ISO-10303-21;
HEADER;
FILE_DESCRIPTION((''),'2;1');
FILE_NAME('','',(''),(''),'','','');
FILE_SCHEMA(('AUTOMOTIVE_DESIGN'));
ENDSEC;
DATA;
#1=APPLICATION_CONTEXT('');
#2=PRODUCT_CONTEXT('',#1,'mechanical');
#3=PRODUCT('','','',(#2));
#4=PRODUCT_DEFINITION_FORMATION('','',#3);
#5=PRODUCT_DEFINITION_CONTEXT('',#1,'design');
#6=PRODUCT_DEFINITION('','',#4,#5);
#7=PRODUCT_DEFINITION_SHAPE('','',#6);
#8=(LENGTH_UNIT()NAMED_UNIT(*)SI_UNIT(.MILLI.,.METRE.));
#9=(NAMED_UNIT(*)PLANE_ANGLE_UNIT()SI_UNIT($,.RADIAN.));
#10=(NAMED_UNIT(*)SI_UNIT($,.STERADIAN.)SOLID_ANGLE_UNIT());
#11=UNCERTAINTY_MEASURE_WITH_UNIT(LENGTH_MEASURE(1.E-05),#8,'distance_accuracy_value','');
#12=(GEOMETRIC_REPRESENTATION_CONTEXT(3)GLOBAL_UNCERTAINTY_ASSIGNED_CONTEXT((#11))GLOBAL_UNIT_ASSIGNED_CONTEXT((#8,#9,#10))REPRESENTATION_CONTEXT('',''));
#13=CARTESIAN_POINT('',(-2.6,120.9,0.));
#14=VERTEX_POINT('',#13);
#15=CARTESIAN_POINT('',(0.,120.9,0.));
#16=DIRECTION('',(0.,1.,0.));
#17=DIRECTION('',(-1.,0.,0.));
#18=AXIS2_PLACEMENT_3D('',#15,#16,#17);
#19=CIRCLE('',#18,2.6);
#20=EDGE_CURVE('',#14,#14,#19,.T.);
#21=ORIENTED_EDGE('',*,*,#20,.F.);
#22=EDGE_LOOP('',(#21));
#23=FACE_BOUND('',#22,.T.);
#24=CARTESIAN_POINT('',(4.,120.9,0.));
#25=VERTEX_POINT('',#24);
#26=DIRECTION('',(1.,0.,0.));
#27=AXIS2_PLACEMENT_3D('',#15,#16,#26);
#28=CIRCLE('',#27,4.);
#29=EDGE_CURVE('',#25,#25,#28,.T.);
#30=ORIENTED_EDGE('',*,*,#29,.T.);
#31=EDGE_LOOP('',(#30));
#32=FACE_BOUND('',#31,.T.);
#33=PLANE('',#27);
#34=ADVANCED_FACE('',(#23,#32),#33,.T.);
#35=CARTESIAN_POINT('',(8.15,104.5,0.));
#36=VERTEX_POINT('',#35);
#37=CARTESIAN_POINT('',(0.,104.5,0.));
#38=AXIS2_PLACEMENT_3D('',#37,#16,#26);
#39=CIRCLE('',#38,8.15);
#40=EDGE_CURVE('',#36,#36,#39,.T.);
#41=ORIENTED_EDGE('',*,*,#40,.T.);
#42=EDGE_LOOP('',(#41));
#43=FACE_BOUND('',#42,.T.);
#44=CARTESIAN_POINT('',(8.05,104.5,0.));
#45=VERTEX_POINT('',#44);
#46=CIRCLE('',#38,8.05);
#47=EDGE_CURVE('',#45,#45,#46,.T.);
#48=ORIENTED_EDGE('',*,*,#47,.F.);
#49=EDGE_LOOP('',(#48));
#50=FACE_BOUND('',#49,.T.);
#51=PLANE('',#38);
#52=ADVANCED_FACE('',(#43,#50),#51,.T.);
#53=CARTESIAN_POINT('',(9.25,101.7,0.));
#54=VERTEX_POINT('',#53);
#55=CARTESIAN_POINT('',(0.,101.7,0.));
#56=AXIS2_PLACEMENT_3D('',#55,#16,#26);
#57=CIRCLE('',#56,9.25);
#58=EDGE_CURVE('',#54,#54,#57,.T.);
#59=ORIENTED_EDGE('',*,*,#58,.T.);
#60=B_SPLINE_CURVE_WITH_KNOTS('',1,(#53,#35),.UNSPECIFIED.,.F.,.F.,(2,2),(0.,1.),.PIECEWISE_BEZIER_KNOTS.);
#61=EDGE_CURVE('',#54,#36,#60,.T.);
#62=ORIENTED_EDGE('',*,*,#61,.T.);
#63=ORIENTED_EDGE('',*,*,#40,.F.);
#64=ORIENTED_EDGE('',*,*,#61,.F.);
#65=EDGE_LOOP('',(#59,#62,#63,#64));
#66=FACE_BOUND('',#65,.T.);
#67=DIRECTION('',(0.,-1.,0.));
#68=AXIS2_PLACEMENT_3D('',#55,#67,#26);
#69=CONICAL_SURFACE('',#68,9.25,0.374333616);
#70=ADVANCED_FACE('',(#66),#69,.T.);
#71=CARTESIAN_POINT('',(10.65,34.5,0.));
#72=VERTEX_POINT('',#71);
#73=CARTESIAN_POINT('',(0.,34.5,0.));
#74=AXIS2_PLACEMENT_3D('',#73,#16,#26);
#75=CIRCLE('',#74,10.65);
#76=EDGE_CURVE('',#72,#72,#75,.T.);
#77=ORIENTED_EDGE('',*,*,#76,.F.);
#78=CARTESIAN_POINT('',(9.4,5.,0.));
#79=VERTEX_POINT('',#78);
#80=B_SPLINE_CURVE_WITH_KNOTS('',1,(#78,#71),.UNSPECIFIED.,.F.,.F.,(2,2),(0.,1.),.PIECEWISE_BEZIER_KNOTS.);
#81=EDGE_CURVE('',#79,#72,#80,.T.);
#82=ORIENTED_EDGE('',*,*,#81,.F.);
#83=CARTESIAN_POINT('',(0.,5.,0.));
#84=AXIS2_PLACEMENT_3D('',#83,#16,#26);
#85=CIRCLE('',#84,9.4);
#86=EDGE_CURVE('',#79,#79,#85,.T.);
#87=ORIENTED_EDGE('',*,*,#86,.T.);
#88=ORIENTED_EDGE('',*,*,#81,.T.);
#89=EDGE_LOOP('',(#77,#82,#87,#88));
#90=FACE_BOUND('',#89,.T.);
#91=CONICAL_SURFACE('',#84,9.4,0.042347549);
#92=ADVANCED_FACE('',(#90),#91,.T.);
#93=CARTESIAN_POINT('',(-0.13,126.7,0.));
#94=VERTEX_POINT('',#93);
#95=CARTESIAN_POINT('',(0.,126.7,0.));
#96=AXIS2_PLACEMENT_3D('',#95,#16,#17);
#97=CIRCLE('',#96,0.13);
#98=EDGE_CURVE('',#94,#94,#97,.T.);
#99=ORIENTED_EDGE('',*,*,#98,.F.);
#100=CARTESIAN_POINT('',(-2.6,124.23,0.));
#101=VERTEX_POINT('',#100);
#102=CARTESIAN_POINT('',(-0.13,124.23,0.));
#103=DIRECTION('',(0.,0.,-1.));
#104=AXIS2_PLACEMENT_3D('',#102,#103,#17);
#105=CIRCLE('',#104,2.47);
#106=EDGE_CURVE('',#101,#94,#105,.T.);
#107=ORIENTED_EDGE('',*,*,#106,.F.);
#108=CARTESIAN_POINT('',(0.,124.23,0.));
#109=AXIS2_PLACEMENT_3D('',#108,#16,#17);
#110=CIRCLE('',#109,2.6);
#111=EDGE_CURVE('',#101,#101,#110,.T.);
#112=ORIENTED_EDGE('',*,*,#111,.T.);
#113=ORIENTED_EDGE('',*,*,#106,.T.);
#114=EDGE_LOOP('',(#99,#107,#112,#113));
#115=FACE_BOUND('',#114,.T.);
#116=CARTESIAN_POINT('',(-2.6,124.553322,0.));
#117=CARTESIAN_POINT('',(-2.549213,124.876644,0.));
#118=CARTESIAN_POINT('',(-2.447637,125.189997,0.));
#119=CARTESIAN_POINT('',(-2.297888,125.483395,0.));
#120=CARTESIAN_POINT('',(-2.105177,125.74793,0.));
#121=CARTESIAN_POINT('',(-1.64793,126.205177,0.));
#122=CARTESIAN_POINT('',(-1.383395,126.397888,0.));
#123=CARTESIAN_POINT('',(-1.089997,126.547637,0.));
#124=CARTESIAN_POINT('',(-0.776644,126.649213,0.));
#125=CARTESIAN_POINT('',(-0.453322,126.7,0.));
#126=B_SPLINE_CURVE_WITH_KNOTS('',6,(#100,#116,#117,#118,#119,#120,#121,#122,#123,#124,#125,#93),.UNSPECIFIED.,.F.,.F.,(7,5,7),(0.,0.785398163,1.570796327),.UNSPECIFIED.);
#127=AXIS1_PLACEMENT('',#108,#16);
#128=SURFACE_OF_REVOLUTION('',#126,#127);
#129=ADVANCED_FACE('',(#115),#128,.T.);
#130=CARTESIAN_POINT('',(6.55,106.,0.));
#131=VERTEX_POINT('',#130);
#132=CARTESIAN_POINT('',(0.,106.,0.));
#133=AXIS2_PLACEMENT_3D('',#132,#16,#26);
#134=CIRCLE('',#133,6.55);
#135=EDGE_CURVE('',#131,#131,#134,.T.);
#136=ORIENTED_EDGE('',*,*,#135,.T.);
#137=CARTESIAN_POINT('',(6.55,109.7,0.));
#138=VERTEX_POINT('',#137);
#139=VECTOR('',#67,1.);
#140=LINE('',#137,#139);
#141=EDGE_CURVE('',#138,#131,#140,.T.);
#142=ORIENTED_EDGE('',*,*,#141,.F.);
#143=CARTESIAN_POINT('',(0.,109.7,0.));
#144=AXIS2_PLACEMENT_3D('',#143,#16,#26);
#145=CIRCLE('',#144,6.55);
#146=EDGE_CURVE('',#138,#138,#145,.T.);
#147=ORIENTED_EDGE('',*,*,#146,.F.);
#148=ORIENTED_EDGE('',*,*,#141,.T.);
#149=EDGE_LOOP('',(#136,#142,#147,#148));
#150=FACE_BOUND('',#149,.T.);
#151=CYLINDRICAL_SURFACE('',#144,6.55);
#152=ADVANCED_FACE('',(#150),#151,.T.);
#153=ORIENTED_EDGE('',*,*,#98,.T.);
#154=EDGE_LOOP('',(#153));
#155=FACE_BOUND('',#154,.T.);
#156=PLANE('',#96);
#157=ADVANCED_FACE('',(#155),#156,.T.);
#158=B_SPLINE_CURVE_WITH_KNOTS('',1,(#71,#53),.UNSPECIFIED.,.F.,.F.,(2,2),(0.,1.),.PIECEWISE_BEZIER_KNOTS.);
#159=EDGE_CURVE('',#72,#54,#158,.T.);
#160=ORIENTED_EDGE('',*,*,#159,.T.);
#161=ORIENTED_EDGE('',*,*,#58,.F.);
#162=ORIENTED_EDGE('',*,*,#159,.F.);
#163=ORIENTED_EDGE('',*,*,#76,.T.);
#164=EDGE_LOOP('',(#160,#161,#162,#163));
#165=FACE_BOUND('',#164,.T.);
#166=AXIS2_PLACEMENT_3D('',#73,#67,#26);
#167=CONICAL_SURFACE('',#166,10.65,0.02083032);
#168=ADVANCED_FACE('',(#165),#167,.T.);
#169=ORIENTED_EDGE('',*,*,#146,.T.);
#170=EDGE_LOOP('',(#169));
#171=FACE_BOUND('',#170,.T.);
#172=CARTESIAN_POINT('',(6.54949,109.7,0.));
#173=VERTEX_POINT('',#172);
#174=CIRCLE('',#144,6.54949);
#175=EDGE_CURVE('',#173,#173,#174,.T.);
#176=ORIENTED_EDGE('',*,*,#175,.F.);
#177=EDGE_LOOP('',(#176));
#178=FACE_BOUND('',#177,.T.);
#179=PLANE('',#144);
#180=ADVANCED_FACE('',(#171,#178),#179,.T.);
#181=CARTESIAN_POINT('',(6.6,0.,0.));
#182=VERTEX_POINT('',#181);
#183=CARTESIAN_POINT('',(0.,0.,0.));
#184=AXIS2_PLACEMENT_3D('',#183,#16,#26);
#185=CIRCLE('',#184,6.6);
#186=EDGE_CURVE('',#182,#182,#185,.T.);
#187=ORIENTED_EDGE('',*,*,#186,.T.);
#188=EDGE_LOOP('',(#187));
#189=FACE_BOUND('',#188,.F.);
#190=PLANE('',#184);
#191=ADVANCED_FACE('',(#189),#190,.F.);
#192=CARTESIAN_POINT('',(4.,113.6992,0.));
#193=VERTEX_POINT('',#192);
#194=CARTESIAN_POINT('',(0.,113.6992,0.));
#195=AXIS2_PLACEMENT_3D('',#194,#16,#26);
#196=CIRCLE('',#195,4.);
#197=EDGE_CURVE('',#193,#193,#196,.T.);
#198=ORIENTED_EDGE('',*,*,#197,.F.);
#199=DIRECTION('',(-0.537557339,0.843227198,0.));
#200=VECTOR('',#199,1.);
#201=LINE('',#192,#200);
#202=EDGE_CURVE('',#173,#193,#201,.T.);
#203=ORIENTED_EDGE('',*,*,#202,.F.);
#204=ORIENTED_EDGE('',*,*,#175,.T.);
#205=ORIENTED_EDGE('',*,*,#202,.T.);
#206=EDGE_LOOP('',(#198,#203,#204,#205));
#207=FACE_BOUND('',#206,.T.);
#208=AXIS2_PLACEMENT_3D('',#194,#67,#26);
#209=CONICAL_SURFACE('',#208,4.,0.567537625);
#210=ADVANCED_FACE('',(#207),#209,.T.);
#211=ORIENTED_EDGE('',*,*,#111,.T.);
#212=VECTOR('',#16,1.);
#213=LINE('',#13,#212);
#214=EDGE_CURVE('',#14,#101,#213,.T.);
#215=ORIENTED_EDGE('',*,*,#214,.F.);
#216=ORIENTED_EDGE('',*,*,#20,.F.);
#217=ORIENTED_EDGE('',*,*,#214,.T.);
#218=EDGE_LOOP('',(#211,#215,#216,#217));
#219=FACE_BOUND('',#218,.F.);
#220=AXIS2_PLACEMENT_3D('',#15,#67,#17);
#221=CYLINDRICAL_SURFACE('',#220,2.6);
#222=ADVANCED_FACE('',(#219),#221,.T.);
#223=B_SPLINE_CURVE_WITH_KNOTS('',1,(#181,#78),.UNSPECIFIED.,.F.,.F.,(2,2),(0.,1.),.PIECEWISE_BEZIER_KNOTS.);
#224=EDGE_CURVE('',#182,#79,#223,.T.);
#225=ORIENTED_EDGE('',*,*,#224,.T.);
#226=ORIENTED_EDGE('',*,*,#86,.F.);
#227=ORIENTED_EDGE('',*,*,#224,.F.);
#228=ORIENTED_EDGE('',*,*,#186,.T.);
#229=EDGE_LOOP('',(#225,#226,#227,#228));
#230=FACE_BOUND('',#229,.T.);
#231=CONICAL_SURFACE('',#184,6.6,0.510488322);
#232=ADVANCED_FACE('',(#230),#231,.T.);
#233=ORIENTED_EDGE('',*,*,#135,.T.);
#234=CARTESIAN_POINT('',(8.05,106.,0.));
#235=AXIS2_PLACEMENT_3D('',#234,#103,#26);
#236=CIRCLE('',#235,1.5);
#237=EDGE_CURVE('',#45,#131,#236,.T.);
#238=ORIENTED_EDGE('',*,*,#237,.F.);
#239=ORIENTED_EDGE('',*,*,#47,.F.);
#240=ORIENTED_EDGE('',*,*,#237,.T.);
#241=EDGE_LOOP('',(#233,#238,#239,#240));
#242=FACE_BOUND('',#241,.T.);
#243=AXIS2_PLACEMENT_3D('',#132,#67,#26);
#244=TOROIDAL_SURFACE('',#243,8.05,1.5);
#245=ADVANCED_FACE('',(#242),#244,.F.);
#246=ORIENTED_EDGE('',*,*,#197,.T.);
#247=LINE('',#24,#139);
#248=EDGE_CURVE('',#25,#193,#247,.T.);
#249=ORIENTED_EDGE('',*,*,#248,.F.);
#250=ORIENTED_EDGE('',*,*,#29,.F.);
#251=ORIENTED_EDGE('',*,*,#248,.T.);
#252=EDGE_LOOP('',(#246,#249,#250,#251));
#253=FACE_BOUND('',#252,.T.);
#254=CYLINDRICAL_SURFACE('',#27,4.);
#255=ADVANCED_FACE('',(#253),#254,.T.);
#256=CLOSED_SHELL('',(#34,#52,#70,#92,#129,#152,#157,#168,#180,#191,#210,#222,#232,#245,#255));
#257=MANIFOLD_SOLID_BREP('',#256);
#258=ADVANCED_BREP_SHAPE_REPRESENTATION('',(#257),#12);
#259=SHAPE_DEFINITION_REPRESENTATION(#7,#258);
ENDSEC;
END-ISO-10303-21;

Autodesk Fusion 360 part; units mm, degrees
sketch "Boceto2" plane through (0, 0, 0) normal (0, 1, 0) x (1, 0, 0)
  circle A0 centre (0, 0) radius 6.6
  dimension "d1" = 13.2
ref_plane "PlanoDeObra1" through (0, 5, 0) normal (0, 1, 0) x (1, 0, 0)
sketch "Boceto3" plane through (0, 5, 0) normal (0, 1, 0) x (1, 0, 0)
  circle A0 centre (0, 0) radius 9.4
  dimension "d3" = 18.8
ref_plane "PlanoDeObra2" through (0, 34.5, 0) normal (0, 1, 0) x (1, 0, 0)
sketch "Boceto4" plane through (0, 34.5, 0) normal (0, 1, 0) x (1, 0, 0)
  circle A0 centre (0, 0) radius 10.65
  dimension "d5" = 21.3
loft "Solevación1" add profiles "Boceto2", "Boceto3" section 1 section 2
loft "Solevación2" add profiles "Boceto4" section 1 face at (2.1836, 5, -0.9236) section 2
ref_plane "PlanoDeObra3" through (0, 101.7, 0) normal (0, 1, 0) x (0, 0, 1)
sketch "Boceto5" plane through (0, 101.7, 0) normal (0, 1, 0) x (1, 0, 0)
  circle A0 centre (0, 0) radius 9.25
  dimension "d7" = 18.5
loft "Solevación3" add profiles "Boceto5" section 1 face at (-2.6023, 34.5, 4.1946) section 2
ref_plane "PlanoDeObra4" through (0, 104.5, 0) normal (0, 1, 0) x (0, 0, 1)
sketch "Boceto6" plane through (0, 104.5, 0) normal (0, 1, 0) x (1, 0, 0)
  circle A0 centre (0, 0) radius 8.15
  dimension "d9" = 16.3
ref_plane "PlanoDeObra5" through (0, 109.7, 0) normal (0, 1, 0) x (1, 0, 0)
sketch "Boceto7" plane through (0, 109.7, 0) normal (0, 1, 0) x (1, 0, 0)
  circle A0 centre (0, 0) radius 6.55
  dimension "d11" = 13.1
ref_plane "PlanoDeObra6" through (0, 120.9, 0) normal (0, 1, 0) x (1, 0, 0)
sketch "Boceto8" plane through (0, 120.9, 0) normal (0, 1, 0) x (1, 0, 0)
  circle A0 centre (0, 0) radius 4
  dimension "d13" = 8
loft "Solevación4" add profiles "Boceto6" section 1 face at (-2.5312, 101.7, -3.8946) section 2
extrude "Extruir1" add sketch "Boceto7" against normal blind 5.2
extrude "Extruir2" add sketch "Boceto8" against normal blind 11.2
fillet "Empalme1" radius 1.5 1 edges at (-6.1067, 104.5, -2.3686)
chamfer "Chaflán1" distance 2.55 distance2 4 1 edges at (-3.7293, 109.7, -1.4465) measured on face at (5.6756, 109.7, 0.3254)
ref_plane "PlanoDeObra7" through (0, 126.7, 0) normal (0, -1, 0) x (0, 0, -1)
sketch "Boceto9" plane through (0, 120.9, 0) normal (0, 1, 0) x (-1, 0, 0)
  circle A0 centre (0, 0) radius 4
  circle A1 centre (0, 0) radius 2.6
  dimension "d23" = 5.2
extrude "Extruir3" add sketch "Boceto9" along normal up to surface (5.8 mm away) contours A1
fillet "Empalme2" radius 2.47 1 edges at (2.4241, 126.7, -0.9402)
equation "d4 = 25.5 mm + 4 mm"
equation "d27 = ( ( 5.2 / 2 ) * 0.95 ) * 1 mm"
